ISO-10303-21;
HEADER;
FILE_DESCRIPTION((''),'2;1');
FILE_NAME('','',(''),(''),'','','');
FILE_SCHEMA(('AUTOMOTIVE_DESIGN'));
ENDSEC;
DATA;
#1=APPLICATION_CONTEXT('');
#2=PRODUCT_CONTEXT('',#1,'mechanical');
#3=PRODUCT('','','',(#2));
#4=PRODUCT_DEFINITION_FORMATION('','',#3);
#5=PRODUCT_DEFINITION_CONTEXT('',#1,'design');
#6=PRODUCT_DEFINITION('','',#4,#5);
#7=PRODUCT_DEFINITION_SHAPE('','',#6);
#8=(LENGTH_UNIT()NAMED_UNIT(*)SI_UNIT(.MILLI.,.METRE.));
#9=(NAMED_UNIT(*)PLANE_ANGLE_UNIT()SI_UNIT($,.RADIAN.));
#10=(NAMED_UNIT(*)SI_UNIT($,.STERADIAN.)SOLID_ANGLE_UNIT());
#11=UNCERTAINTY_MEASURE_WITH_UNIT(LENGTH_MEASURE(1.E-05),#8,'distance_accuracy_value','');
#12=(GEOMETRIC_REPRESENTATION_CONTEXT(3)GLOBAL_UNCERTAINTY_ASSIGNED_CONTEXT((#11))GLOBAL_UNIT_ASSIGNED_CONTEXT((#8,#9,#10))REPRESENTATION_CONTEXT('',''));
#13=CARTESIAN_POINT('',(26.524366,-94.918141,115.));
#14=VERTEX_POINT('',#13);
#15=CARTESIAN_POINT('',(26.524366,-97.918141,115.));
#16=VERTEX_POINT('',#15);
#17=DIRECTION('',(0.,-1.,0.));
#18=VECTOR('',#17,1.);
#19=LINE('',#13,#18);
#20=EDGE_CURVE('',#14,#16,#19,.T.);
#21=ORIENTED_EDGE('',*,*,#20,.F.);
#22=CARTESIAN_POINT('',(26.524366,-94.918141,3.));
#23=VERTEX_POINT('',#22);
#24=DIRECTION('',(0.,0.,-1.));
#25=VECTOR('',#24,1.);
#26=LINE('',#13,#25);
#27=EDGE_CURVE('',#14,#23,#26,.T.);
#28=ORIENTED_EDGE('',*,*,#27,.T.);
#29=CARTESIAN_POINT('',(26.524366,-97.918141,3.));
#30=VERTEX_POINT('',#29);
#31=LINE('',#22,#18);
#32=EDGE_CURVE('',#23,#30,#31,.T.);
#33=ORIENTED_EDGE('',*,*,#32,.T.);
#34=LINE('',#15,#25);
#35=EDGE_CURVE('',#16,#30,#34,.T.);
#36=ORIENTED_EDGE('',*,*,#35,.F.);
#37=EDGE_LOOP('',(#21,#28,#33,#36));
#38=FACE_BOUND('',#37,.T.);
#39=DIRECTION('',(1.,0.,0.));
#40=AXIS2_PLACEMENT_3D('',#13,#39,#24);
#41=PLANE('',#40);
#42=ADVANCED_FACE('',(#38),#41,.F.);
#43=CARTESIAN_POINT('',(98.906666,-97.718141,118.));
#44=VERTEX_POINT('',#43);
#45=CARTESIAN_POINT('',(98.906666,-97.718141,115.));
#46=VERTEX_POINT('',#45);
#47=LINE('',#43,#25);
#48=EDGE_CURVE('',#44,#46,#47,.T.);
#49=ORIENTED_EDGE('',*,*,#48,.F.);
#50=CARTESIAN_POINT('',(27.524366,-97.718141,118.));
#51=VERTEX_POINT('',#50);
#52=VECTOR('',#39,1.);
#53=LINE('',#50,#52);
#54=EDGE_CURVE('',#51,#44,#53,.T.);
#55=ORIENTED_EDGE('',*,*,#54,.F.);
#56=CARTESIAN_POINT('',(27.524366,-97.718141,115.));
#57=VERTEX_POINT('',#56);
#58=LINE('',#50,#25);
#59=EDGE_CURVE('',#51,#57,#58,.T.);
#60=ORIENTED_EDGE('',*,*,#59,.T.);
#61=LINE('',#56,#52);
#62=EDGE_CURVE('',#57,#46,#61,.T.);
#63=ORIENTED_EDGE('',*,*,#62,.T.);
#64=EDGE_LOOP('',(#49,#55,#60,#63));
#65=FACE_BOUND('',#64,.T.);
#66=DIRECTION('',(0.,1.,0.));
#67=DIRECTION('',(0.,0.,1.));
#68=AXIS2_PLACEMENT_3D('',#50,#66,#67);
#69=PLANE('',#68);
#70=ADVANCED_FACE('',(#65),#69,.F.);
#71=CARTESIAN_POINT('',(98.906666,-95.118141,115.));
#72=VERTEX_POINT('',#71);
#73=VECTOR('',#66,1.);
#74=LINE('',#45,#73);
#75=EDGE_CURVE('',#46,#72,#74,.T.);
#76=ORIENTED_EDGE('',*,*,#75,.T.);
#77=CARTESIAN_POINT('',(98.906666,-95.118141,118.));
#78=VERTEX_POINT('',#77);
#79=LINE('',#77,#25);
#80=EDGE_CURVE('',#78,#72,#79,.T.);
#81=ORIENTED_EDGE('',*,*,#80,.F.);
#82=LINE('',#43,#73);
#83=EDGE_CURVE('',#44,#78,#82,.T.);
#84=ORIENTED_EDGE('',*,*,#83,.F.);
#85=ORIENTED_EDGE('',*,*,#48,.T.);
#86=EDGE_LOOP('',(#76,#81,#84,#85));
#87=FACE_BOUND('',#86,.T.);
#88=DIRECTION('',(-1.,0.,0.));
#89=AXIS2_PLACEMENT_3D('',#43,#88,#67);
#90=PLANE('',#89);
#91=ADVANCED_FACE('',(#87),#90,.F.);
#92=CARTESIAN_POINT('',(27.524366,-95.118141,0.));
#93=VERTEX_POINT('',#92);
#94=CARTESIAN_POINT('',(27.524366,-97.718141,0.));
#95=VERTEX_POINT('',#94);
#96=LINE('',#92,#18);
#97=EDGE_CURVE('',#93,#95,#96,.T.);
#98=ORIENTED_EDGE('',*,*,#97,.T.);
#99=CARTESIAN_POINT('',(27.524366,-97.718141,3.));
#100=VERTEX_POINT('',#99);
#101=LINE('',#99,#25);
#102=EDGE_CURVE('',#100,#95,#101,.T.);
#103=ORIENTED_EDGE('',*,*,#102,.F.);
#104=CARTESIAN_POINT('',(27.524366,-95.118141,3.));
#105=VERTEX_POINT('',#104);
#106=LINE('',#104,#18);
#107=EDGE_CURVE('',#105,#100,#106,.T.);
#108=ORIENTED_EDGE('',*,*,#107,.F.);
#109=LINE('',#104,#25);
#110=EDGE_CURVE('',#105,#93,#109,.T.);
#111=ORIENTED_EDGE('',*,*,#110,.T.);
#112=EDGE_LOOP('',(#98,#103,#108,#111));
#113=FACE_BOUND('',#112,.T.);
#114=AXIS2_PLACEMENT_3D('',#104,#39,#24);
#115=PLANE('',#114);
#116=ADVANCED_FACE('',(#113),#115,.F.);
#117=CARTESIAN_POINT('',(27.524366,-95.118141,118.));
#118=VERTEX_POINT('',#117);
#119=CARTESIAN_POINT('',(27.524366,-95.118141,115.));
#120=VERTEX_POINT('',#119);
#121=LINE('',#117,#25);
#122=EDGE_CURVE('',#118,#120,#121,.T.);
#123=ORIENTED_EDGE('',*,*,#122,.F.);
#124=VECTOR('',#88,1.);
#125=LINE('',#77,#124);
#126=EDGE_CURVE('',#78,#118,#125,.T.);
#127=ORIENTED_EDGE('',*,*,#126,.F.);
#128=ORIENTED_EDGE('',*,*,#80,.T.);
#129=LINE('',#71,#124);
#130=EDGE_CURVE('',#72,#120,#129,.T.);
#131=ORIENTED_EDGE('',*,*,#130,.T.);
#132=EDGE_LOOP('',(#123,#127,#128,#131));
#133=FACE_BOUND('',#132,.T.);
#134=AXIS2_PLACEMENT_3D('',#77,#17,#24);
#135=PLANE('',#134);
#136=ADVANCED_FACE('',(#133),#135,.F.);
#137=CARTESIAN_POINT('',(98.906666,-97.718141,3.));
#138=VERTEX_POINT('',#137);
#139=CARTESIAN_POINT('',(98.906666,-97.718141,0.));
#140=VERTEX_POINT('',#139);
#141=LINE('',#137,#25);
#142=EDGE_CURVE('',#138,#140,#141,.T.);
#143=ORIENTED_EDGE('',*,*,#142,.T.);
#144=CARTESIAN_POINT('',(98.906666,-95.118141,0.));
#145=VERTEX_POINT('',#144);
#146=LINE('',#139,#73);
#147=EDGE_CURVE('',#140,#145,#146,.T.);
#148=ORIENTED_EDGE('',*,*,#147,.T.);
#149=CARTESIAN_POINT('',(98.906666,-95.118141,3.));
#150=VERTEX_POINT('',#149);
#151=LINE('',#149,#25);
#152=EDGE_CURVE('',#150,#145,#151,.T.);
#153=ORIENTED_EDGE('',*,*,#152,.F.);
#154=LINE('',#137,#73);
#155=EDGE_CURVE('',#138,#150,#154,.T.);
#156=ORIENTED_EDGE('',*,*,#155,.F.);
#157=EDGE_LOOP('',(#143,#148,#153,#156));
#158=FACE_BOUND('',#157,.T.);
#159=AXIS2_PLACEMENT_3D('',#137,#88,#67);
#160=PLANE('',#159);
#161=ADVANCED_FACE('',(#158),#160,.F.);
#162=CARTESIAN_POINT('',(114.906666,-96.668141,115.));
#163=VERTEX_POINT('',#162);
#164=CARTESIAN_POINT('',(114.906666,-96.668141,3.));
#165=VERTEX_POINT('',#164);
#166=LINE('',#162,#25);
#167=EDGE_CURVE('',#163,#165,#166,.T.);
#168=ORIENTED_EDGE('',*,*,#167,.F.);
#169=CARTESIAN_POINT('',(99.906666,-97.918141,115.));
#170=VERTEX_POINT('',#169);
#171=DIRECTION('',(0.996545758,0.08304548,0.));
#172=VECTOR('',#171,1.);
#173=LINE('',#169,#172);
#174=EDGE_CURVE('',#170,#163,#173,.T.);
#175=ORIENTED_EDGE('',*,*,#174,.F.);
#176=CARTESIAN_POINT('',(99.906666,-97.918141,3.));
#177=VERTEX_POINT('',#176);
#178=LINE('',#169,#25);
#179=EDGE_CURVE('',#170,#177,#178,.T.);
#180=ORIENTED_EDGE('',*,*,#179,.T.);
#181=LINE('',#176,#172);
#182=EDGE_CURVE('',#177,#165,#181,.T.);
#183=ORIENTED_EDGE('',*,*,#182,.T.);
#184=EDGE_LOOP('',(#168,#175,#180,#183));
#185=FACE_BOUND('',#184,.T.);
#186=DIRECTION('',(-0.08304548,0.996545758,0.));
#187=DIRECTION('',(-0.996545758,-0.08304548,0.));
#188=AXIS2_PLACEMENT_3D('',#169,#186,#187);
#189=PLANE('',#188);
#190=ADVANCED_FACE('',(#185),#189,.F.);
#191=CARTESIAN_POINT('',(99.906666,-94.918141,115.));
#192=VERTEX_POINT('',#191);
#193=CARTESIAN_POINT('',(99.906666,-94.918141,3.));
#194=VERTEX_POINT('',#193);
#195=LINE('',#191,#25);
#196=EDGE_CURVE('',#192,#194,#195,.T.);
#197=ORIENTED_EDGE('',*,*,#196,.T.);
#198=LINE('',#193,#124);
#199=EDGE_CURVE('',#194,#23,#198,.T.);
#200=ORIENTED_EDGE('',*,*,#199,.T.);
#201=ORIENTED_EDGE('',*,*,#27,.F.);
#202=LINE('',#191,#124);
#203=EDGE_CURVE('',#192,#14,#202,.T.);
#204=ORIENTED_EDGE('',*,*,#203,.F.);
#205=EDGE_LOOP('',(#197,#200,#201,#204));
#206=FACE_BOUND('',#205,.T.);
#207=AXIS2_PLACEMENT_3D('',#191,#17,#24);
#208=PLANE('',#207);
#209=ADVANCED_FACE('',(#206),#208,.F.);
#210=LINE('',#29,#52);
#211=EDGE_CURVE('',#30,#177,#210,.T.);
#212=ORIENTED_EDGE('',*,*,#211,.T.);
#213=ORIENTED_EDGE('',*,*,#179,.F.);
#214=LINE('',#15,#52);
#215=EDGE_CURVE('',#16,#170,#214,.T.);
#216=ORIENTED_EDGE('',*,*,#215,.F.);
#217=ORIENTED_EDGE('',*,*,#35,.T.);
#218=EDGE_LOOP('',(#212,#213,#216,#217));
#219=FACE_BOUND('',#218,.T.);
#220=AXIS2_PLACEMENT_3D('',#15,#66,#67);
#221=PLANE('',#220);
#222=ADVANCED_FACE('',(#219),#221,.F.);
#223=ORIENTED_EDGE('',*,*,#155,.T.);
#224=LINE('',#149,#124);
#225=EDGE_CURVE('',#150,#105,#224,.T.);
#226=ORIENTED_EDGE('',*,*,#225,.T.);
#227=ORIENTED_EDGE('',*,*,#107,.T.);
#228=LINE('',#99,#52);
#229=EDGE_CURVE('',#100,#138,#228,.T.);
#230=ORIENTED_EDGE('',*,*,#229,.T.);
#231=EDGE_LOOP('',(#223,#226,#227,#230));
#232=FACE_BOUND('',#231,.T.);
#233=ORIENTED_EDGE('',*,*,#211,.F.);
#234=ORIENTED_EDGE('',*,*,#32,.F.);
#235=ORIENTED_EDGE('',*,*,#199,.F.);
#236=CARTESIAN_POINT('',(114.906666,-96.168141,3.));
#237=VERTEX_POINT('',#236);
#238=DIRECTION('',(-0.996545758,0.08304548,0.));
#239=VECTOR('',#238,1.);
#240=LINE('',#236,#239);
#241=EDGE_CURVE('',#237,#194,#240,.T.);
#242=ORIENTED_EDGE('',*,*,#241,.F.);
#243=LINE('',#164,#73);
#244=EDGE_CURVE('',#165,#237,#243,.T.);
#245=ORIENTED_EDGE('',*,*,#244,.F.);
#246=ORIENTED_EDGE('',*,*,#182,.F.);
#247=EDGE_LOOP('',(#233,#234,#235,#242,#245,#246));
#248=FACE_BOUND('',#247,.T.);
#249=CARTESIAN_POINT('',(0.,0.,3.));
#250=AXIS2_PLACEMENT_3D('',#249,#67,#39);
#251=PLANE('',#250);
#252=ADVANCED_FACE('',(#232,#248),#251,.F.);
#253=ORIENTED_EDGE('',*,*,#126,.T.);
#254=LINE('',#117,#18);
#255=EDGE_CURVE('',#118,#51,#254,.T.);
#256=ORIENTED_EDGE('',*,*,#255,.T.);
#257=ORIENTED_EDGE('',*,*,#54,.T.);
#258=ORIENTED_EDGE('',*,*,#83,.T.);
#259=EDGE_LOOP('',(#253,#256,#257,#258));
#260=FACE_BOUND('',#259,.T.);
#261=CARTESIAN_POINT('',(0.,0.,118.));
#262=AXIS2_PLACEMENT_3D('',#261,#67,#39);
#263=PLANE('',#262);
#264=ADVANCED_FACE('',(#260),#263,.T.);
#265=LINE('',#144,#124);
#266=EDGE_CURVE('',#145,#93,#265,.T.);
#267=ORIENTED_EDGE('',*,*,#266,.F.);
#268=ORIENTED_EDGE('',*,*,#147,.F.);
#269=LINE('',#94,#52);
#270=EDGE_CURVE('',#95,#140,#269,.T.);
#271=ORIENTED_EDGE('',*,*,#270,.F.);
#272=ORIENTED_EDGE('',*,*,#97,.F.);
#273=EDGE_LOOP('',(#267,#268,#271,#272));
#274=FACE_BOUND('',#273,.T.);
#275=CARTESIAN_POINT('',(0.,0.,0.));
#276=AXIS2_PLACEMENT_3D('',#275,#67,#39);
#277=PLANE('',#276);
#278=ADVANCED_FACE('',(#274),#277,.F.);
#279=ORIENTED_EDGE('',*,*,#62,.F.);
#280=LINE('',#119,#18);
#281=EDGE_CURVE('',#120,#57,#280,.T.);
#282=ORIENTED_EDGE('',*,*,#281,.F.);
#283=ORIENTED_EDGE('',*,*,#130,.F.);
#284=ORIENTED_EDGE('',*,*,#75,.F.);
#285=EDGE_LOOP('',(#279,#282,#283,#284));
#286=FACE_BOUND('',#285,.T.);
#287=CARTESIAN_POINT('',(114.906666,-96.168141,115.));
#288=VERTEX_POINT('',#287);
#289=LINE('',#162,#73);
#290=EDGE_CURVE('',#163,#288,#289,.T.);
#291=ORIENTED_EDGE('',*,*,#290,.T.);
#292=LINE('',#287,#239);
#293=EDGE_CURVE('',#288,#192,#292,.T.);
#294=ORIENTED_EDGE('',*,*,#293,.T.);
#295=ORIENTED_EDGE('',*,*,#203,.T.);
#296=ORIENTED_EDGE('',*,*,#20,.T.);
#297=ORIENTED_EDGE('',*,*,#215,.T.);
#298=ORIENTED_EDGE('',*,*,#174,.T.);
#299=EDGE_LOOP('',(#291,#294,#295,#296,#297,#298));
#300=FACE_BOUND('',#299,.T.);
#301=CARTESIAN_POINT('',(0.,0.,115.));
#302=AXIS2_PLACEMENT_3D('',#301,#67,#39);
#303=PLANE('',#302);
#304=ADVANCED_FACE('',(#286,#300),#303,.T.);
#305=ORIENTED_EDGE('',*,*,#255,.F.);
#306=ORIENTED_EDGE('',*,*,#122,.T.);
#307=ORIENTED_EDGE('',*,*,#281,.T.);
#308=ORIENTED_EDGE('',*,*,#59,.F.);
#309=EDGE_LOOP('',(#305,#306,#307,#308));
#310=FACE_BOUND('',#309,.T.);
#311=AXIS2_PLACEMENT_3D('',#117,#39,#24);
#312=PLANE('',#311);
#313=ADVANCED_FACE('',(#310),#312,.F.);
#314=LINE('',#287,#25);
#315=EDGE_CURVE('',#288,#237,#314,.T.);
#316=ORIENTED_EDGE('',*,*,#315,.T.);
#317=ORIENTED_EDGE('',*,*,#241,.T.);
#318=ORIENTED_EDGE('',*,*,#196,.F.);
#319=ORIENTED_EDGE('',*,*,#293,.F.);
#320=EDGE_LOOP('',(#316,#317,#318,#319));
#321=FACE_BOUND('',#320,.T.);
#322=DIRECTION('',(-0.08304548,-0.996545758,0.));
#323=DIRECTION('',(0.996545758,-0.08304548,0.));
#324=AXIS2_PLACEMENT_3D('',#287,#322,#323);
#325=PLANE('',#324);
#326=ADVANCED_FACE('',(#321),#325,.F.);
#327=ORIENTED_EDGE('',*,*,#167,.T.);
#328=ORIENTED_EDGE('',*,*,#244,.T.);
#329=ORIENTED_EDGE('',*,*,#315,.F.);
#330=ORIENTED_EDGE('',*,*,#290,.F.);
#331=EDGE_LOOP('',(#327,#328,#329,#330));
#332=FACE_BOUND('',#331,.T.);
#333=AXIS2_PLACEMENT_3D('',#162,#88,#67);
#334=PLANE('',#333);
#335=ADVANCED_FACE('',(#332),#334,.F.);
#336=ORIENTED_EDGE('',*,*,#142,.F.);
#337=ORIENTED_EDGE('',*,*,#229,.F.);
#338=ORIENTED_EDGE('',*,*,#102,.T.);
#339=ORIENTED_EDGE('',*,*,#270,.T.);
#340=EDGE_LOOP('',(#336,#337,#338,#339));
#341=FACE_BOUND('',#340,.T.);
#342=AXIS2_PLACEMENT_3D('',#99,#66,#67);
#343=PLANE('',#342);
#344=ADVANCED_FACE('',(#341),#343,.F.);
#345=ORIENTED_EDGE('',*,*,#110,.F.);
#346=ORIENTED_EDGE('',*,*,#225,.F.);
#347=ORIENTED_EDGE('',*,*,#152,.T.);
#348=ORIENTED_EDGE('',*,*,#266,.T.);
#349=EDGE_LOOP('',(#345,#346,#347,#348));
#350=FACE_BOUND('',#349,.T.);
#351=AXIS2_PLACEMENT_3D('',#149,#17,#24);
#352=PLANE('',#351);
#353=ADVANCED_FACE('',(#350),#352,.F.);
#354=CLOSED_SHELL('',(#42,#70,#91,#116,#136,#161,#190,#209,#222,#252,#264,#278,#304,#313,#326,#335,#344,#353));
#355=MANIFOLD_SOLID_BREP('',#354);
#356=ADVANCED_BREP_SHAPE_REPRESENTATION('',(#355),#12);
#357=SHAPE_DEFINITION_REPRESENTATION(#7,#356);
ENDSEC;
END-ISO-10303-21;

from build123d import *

# Parameters (mm, degrees)
BODY_DEPTH     = 112
SKETCH2_W      = 71.382300335
SKETCH2_H      = 2.6
TAB_LOW_DEPTH  = 3
SKETCH3_W      = 71.382300335
SKETCH3_H      = 2.6
TAB_HIGH_DEPTH = 3


with BuildPart() as part:
    # Sketch1 → Body (new body)
    with BuildSketch(Plane.XY.offset(3)):
        Polygon((26.524366133, -97.918141453), (99.906666468, -97.918141453), (114.906666468, -96.668141453), (114.906666468, -96.168141453), (99.906666468, -94.918141453), (26.524366133, -94.918141453), align=None)
    extrude(amount=BODY_DEPTH)

    # Sketch2 → Tab_low (add)
    with BuildSketch(Plane.XY):
        with Locations((63.215516301, -96.418141453)):
            Rectangle(SKETCH2_W, SKETCH2_H)
    extrude(amount=TAB_LOW_DEPTH)

    # Sketch3 → Tab_high (add)
    with BuildSketch(Plane.XY.offset(115)):
        with Locations((63.215516301, -96.418141453)):
            Rectangle(SKETCH3_W, SKETCH3_H)
    extrude(amount=TAB_HIGH_DEPTH)


solid = part.part
